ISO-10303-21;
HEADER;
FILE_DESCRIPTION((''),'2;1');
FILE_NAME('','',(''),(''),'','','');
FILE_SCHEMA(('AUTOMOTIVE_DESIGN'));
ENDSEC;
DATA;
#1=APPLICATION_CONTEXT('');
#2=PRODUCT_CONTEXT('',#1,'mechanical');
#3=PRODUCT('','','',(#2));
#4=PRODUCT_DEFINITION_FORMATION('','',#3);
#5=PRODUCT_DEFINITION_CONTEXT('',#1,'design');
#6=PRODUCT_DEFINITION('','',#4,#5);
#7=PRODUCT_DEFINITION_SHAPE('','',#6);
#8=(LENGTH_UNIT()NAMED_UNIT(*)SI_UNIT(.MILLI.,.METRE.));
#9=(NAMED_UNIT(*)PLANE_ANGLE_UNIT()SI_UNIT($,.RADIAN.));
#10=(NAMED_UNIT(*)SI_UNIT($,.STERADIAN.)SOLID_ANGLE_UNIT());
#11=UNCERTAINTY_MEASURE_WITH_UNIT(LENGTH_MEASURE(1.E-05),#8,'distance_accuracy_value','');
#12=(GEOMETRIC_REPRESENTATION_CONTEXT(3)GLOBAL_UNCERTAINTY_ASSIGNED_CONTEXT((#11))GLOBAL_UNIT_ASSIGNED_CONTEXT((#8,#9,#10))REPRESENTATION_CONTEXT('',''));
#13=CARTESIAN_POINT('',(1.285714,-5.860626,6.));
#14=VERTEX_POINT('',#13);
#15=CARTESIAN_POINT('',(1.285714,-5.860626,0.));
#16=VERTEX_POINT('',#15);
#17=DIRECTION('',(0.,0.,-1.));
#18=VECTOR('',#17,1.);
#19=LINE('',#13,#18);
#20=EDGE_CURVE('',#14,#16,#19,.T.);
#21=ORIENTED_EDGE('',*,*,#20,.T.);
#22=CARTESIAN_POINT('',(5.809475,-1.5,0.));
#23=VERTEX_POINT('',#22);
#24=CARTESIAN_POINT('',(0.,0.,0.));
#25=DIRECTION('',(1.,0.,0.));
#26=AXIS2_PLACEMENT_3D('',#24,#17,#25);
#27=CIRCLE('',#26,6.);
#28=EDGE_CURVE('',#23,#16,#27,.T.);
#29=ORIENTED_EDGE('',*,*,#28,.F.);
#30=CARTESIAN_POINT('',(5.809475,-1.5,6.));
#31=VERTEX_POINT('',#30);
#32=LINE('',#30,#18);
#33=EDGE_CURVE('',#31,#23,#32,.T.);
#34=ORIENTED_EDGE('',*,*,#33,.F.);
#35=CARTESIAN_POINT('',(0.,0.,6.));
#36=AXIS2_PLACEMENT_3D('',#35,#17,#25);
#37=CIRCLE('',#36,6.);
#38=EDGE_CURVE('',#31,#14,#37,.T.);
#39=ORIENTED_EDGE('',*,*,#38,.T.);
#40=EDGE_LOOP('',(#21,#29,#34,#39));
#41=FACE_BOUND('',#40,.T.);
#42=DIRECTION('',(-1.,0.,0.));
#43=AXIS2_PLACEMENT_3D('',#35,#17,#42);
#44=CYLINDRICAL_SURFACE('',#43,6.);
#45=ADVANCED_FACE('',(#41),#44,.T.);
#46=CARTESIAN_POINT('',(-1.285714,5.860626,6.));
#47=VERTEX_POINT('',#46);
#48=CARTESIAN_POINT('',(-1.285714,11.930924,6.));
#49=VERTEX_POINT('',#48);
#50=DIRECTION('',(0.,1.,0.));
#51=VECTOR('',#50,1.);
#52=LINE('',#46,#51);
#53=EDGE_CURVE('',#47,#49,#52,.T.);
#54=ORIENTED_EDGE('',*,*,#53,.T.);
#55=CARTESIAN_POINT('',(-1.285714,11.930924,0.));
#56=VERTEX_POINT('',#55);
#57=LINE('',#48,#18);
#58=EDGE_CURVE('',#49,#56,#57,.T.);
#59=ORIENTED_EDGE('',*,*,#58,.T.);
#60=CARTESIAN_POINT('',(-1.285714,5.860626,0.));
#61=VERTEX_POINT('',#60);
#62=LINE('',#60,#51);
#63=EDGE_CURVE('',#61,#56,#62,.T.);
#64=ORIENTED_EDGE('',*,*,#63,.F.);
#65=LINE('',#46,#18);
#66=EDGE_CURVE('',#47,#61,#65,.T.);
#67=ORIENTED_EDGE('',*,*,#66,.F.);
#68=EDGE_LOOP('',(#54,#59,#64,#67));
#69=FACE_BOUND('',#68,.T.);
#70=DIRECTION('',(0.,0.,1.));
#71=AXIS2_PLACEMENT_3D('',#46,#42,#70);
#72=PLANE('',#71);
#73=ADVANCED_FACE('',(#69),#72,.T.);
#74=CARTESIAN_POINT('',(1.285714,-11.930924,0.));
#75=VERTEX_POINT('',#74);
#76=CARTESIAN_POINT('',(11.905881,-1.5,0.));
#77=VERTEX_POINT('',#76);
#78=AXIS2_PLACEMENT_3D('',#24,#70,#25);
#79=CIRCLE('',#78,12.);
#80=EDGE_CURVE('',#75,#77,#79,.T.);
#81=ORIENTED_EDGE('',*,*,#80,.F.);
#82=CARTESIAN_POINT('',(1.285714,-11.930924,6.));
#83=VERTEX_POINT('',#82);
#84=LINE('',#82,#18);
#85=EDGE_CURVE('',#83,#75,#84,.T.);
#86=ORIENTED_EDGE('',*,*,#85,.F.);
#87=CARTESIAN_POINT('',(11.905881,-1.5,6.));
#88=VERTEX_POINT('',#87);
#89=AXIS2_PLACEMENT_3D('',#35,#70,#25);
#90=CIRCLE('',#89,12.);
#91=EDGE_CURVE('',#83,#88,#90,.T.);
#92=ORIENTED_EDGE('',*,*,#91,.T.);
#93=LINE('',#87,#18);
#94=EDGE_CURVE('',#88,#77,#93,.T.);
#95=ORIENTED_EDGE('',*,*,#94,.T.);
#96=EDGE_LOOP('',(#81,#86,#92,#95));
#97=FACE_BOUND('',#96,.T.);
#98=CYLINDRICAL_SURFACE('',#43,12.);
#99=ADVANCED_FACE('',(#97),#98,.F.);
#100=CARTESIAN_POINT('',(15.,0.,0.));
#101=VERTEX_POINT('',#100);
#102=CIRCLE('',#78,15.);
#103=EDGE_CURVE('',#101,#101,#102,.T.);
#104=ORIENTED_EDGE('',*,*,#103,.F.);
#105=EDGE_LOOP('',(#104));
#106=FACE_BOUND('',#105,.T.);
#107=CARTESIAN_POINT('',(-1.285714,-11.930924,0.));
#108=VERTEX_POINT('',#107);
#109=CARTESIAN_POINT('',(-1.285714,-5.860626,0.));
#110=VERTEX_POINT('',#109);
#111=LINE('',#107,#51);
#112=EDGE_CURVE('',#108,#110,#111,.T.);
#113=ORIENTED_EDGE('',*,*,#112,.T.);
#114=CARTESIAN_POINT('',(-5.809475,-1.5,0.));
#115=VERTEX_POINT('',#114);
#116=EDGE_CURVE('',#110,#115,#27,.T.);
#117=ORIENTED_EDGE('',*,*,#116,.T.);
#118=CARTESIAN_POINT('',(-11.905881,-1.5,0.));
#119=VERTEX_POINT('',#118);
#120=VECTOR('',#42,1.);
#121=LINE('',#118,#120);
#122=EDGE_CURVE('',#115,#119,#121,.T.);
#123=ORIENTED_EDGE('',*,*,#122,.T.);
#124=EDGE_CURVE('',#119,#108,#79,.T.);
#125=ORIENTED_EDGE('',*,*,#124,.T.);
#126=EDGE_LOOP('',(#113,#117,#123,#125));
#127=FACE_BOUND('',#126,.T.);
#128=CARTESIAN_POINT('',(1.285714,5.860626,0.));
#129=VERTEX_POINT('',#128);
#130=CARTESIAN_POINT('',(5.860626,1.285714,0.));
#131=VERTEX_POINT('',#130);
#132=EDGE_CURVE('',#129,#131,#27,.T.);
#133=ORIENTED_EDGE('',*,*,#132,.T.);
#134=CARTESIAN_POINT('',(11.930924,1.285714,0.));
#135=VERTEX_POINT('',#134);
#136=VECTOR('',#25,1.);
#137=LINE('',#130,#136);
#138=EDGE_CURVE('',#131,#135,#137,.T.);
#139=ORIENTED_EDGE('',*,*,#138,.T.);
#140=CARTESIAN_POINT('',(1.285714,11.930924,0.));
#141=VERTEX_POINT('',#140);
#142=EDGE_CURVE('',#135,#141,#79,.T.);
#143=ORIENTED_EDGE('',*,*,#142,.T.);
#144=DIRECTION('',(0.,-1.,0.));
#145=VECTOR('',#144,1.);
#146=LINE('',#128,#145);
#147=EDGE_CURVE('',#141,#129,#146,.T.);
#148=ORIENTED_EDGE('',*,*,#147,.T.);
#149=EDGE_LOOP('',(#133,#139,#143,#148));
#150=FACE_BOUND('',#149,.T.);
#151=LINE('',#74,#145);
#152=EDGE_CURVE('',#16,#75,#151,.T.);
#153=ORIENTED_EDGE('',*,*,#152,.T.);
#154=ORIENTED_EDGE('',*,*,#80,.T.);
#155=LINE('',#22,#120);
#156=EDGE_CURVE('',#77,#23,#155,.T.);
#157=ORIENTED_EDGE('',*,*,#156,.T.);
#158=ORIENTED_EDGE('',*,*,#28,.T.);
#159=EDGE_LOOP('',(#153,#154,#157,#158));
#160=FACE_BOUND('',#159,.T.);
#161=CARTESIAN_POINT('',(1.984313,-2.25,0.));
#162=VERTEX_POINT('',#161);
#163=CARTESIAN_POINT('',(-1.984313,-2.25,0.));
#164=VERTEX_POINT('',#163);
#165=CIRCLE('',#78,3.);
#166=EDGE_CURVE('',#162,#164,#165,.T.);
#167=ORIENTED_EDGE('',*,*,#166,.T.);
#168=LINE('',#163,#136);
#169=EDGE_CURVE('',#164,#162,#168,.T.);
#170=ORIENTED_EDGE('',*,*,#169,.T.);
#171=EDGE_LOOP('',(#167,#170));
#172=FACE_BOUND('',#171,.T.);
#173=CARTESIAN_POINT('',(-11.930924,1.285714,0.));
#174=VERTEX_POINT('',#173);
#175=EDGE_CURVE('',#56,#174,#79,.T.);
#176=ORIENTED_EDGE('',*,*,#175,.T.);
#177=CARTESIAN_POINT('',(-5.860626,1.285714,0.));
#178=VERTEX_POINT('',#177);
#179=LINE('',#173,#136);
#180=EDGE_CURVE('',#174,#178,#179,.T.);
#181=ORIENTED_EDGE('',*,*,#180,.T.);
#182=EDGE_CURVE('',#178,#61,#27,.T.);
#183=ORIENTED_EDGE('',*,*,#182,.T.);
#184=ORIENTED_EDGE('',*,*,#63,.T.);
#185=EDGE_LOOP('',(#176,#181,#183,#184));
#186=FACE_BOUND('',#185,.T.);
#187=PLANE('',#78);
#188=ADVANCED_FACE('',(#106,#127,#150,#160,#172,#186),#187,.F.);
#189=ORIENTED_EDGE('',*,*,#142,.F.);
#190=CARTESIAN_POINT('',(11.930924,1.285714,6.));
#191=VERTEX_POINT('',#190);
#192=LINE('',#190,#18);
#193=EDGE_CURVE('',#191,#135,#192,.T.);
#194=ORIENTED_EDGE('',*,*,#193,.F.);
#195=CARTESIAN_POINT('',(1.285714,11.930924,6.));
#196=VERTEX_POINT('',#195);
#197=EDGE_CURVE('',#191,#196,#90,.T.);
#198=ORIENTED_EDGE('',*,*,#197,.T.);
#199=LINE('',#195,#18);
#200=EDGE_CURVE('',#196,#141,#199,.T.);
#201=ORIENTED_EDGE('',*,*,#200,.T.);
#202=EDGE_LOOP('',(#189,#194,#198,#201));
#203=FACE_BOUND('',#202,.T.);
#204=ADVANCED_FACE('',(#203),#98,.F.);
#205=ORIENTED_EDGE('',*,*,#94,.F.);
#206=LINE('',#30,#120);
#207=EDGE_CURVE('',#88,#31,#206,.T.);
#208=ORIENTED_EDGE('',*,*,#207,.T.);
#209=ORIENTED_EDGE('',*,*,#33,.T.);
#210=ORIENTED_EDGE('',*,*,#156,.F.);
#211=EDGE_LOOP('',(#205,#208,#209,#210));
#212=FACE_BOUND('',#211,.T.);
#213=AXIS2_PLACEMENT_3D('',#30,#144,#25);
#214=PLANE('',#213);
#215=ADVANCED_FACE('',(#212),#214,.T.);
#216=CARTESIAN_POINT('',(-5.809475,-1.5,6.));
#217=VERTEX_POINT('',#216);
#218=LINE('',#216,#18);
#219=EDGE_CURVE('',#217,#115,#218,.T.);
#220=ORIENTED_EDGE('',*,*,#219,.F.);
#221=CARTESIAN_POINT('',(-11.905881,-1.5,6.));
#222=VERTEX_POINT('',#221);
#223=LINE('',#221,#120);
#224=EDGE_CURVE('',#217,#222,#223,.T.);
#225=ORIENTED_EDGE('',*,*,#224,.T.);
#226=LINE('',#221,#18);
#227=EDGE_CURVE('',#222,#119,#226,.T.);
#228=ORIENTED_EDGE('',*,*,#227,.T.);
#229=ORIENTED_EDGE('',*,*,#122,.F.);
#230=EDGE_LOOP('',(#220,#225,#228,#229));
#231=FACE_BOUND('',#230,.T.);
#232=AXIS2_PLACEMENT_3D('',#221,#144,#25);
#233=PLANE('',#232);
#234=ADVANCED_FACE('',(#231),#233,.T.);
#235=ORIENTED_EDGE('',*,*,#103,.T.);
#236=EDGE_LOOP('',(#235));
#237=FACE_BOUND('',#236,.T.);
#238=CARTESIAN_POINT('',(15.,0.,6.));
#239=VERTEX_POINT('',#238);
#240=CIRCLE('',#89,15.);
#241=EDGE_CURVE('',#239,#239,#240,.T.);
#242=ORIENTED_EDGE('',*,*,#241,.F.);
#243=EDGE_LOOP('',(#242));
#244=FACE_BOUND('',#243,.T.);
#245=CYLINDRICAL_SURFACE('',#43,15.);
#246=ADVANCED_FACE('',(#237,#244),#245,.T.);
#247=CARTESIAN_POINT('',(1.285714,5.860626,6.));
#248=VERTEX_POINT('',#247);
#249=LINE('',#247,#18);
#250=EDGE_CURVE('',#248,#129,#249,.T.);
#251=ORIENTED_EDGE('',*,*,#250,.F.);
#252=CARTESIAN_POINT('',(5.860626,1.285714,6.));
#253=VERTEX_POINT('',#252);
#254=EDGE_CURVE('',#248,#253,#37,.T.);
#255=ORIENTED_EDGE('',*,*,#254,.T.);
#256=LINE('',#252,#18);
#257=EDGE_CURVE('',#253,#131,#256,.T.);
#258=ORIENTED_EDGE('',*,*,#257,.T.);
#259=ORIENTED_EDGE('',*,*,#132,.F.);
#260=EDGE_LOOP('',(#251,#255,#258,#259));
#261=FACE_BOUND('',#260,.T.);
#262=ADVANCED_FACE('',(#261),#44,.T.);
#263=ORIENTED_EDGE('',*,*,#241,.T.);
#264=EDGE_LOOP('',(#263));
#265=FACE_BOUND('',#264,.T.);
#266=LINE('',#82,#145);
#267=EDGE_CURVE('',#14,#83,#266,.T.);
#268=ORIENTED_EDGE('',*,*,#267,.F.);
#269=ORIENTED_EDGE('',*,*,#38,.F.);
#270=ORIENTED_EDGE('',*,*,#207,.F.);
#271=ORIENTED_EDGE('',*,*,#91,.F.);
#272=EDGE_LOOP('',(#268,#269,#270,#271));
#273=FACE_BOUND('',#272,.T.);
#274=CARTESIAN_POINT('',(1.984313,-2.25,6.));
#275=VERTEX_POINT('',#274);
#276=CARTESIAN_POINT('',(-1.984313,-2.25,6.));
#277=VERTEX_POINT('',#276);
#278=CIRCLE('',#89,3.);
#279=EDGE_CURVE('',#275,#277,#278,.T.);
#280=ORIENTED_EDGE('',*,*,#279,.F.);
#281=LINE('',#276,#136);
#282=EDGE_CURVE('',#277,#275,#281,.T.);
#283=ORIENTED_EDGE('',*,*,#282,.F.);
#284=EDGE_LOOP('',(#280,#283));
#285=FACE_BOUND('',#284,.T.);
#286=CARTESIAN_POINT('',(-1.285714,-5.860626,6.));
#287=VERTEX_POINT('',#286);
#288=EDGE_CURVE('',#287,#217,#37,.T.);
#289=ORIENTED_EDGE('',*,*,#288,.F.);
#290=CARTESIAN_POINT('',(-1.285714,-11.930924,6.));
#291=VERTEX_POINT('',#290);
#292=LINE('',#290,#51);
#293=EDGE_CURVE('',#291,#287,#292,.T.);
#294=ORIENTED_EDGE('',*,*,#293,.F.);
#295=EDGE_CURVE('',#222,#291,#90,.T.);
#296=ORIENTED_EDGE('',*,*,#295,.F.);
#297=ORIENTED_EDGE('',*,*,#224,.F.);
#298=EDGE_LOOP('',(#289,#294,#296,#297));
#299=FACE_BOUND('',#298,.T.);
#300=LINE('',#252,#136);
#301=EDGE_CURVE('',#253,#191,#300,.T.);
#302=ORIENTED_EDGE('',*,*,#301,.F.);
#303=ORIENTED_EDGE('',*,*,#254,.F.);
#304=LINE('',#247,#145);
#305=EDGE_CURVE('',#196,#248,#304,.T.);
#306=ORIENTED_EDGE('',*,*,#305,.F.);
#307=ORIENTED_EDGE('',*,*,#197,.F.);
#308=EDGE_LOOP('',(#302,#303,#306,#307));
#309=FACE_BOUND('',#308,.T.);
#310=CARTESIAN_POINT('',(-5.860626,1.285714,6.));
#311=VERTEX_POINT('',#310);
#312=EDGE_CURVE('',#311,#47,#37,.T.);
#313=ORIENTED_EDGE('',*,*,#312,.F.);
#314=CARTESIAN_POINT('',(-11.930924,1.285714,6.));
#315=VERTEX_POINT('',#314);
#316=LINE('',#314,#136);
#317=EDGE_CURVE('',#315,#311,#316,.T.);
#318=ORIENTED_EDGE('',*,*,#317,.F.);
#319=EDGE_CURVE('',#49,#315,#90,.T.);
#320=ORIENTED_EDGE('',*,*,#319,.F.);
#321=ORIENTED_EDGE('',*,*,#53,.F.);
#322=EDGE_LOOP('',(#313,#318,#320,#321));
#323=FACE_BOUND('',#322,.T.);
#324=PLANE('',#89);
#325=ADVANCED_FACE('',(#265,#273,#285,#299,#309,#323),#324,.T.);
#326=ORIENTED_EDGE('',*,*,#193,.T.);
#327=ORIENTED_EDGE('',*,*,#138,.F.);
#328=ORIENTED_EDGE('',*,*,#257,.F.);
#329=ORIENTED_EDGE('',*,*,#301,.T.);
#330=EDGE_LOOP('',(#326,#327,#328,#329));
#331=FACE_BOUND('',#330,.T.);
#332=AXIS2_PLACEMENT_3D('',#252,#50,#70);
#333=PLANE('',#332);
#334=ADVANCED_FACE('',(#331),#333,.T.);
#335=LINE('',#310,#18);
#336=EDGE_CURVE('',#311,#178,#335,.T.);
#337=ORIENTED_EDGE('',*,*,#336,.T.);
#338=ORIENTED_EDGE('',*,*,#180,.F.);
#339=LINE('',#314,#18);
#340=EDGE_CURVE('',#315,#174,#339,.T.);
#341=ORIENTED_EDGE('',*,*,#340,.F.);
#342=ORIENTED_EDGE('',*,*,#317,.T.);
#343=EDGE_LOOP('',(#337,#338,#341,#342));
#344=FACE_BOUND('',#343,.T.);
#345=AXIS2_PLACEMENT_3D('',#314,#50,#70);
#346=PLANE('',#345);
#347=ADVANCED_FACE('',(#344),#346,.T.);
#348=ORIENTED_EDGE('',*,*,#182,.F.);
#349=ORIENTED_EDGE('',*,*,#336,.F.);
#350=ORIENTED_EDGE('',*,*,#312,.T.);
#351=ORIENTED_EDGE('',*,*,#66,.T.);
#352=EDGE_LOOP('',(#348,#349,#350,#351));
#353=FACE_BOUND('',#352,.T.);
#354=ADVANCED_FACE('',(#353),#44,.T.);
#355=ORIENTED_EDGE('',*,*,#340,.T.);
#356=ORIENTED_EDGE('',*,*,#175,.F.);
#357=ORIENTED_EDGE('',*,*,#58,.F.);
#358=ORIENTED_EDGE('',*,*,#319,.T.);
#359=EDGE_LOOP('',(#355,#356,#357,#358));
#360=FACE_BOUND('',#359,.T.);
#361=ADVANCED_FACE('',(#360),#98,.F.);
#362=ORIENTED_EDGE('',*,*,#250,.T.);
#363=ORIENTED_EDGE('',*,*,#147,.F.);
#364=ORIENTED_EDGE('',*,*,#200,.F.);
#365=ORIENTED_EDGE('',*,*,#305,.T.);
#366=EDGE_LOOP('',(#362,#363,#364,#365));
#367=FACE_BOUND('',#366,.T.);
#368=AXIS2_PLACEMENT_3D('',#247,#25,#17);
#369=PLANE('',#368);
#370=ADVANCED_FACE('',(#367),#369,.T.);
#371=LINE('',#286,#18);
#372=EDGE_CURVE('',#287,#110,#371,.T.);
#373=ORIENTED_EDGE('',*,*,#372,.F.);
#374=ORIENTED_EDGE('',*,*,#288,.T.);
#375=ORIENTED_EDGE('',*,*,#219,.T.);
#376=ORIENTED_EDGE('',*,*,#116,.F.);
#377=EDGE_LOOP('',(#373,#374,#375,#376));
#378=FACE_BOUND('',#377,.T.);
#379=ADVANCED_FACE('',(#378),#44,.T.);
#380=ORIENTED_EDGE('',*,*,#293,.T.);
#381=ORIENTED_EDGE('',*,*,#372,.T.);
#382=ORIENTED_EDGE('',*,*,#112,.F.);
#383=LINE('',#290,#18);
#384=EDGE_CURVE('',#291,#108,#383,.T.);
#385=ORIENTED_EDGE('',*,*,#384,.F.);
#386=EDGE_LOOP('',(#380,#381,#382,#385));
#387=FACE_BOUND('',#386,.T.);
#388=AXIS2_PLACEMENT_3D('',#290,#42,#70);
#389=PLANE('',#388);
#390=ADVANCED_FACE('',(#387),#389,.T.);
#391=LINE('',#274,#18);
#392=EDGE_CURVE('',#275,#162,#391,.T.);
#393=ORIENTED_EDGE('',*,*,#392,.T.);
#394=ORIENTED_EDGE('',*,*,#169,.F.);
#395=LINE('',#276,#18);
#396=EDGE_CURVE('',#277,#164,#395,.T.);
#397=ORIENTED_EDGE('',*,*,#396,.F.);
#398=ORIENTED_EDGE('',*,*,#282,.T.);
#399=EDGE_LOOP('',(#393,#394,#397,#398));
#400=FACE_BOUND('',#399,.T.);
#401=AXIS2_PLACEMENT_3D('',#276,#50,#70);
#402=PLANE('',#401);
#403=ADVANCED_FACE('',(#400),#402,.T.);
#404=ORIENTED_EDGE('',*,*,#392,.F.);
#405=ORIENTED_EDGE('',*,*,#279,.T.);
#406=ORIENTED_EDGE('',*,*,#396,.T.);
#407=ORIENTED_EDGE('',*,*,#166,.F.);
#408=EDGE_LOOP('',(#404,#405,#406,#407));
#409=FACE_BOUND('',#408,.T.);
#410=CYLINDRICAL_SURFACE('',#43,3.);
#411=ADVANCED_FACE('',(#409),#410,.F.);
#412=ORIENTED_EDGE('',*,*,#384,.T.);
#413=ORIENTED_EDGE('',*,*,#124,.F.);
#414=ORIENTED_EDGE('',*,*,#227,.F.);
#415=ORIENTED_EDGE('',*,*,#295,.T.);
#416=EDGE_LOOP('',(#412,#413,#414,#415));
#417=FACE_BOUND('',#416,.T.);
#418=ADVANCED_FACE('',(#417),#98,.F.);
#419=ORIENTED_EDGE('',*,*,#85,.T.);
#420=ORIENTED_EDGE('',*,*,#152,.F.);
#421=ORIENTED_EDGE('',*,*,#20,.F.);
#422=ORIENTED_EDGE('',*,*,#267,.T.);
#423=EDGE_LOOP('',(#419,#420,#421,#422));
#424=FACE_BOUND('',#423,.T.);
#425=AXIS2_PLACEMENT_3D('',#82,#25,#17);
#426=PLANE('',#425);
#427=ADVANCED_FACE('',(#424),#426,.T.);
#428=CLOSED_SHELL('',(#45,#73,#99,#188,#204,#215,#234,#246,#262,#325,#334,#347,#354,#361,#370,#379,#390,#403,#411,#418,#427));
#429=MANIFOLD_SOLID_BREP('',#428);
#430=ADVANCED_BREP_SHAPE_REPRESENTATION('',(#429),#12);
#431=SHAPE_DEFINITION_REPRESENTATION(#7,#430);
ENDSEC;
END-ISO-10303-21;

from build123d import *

# Parameters (mm, degrees)
SKETCH1_R           = 15
BOSS_EXTRUDE1_DEPTH = 6


with BuildPart() as part:
    # Sketch1 → Boss-Extrude1 (new body)
    with BuildSketch(Plane.XY):
        Circle(SKETCH1_R)
        with BuildLine():
            Line((-1.285714286, 5.860626142), (-1.285714286, 11.930923635))
            ThreePointArc((-1.285714286, 11.930923635), (-8.485281374, 8.485281374), (-11.930923635, 1.285714286))
            Line((-11.930923635, 1.285714286), (-5.860626142, 1.285714286))
            ThreePointArc((-5.860626142, 1.285714286), (-4.242640687, 4.242640687), (-1.285714286, 5.860626142))
        make_face(mode=Mode.SUBTRACT)
        with BuildLine():
            Line((1.285714286, 5.860626142), (1.285714286, 11.930923635))
            ThreePointArc((1.285714286, 11.930923635), (8.485281374, 8.485281374), (11.930923635, 1.285714286))
            Line((11.930923635, 1.285714286), (5.860626142, 1.285714286))
            ThreePointArc((5.860626142, 1.285714286), (4.242640687, 4.242640687), (1.285714286, 5.860626142))
        make_face(mode=Mode.SUBTRACT)
        with BuildLine():
            Line((-1.285714286, -11.930923635), (-1.285714286, -5.860626142))
            ThreePointArc((-1.285714286, -5.860626142), (-4.164035651, -4.319815632), (-5.809475019, -1.5))
            Line((-5.809475019, -1.5), (-11.9058809, -1.5))
            ThreePointArc((-11.9058809, -1.5), (-8.408661478, -8.561215577), (-1.285714286, -11.930923635))
        make_face(mode=Mode.SUBTRACT)
        with BuildLine():
            Line((1.285714286, -11.930923635), (1.285714286, -5.860626142))
            ThreePointArc((1.285714286, -5.860626142), (4.164035651, -4.319815632), (5.809475019, -1.5))
            Line((5.809475019, -1.5), (11.9058809, -1.5))
            ThreePointArc((11.9058809, -1.5), (8.408661478, -8.561215577), (1.285714286, -11.930923635))
        make_face(mode=Mode.SUBTRACT)
        with BuildLine():
            Line((-1.984313483, -2.25), (1.984313483, -2.25))
            ThreePointArc((1.984313483, -2.25), (0, 3), (-1.984313483, -2.25))
        make_face(mode=Mode.SUBTRACT)
    extrude(amount=BOSS_EXTRUDE1_DEPTH)


solid = part.part
